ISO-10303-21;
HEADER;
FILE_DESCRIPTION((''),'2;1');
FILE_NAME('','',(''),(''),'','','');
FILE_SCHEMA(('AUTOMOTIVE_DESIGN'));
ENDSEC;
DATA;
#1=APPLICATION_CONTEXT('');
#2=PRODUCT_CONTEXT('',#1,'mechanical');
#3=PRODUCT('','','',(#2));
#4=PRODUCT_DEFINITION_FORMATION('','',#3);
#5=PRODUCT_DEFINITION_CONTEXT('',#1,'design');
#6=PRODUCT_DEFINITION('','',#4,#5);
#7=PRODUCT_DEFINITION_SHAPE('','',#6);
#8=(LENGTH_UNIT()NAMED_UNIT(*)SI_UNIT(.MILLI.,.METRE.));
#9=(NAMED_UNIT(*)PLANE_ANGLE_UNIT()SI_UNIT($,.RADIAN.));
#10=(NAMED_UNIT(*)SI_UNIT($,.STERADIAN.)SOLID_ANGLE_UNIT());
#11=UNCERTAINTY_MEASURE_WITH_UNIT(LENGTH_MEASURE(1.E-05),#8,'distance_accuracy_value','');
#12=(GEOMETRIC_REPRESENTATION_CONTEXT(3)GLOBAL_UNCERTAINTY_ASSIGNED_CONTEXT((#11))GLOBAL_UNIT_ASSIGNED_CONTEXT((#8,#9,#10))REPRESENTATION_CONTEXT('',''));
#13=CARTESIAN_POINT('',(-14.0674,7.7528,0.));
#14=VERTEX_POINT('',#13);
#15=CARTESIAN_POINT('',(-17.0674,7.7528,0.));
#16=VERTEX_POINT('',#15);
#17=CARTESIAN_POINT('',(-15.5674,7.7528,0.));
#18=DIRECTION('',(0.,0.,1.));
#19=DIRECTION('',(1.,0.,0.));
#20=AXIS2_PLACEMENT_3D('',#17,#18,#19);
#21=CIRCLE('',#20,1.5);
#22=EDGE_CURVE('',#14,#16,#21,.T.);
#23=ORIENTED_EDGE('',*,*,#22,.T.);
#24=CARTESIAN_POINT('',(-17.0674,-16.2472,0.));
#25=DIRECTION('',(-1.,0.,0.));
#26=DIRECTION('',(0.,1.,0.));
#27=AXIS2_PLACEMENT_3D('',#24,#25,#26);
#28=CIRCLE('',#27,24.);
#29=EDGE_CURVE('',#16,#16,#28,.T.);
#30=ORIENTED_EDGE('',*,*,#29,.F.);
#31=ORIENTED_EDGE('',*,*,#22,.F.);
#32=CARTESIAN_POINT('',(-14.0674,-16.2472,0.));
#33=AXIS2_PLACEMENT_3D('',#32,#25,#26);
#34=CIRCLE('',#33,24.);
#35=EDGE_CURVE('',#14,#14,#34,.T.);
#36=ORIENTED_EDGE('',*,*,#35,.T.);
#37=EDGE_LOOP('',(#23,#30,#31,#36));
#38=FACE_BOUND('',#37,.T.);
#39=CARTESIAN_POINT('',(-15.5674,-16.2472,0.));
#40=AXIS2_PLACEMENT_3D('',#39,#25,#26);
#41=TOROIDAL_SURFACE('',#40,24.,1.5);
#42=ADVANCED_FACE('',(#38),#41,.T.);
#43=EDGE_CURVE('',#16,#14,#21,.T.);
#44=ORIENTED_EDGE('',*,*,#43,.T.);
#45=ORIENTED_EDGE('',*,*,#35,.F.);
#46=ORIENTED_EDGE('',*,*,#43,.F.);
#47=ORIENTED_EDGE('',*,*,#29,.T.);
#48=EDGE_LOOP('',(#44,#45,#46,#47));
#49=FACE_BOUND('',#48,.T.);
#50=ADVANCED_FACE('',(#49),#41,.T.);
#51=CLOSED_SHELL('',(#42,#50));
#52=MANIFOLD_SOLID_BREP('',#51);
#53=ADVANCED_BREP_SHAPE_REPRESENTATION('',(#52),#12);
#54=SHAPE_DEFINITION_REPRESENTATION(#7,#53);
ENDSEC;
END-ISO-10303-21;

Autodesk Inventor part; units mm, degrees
ref_plane "YZ Plane" through (0, 0, 0) normal (1, 0, 0) x (0, 1, 0)
ref_plane "XZ Plane" through (0, 0, 0) normal (0, 1, 0) x (-1, 0, 0)
ref_plane "XY Plane" through (0, 0, 0) normal (0, 0, 1) x (1, 0, 0)
sketch "スケッチ1" plane through (0, 0, 0) normal (0, 0, 1) x (1, 0, 0)
  line L0 (-13.0674, 7.7528) -> (-13.0674, -16.2472)
  line L1 (-13.0674, -16.2472) -> (-18.0674, -16.2472)
  line L2 (-18.0674, -16.2472) -> (-18.0674, 7.7528)
  circle A0 centre (-15.5674, 7.7528) radius 1.5
  line L3 (-18.0674, 7.7528) -> (-17.0674, 7.7528)
  line L4 (-14.0674, 7.7528) -> (-13.0674, 7.7528)
  point P0 (0, 0)
  dimension "d2" = 5
  dimension "d3" = 3
revolve "回転1" add sketch "スケッチ1" angle 360 about axis through (-13.0674, -16.2472, 0) along (-1, 0, 0) contours A0
properties part number "gomu"
